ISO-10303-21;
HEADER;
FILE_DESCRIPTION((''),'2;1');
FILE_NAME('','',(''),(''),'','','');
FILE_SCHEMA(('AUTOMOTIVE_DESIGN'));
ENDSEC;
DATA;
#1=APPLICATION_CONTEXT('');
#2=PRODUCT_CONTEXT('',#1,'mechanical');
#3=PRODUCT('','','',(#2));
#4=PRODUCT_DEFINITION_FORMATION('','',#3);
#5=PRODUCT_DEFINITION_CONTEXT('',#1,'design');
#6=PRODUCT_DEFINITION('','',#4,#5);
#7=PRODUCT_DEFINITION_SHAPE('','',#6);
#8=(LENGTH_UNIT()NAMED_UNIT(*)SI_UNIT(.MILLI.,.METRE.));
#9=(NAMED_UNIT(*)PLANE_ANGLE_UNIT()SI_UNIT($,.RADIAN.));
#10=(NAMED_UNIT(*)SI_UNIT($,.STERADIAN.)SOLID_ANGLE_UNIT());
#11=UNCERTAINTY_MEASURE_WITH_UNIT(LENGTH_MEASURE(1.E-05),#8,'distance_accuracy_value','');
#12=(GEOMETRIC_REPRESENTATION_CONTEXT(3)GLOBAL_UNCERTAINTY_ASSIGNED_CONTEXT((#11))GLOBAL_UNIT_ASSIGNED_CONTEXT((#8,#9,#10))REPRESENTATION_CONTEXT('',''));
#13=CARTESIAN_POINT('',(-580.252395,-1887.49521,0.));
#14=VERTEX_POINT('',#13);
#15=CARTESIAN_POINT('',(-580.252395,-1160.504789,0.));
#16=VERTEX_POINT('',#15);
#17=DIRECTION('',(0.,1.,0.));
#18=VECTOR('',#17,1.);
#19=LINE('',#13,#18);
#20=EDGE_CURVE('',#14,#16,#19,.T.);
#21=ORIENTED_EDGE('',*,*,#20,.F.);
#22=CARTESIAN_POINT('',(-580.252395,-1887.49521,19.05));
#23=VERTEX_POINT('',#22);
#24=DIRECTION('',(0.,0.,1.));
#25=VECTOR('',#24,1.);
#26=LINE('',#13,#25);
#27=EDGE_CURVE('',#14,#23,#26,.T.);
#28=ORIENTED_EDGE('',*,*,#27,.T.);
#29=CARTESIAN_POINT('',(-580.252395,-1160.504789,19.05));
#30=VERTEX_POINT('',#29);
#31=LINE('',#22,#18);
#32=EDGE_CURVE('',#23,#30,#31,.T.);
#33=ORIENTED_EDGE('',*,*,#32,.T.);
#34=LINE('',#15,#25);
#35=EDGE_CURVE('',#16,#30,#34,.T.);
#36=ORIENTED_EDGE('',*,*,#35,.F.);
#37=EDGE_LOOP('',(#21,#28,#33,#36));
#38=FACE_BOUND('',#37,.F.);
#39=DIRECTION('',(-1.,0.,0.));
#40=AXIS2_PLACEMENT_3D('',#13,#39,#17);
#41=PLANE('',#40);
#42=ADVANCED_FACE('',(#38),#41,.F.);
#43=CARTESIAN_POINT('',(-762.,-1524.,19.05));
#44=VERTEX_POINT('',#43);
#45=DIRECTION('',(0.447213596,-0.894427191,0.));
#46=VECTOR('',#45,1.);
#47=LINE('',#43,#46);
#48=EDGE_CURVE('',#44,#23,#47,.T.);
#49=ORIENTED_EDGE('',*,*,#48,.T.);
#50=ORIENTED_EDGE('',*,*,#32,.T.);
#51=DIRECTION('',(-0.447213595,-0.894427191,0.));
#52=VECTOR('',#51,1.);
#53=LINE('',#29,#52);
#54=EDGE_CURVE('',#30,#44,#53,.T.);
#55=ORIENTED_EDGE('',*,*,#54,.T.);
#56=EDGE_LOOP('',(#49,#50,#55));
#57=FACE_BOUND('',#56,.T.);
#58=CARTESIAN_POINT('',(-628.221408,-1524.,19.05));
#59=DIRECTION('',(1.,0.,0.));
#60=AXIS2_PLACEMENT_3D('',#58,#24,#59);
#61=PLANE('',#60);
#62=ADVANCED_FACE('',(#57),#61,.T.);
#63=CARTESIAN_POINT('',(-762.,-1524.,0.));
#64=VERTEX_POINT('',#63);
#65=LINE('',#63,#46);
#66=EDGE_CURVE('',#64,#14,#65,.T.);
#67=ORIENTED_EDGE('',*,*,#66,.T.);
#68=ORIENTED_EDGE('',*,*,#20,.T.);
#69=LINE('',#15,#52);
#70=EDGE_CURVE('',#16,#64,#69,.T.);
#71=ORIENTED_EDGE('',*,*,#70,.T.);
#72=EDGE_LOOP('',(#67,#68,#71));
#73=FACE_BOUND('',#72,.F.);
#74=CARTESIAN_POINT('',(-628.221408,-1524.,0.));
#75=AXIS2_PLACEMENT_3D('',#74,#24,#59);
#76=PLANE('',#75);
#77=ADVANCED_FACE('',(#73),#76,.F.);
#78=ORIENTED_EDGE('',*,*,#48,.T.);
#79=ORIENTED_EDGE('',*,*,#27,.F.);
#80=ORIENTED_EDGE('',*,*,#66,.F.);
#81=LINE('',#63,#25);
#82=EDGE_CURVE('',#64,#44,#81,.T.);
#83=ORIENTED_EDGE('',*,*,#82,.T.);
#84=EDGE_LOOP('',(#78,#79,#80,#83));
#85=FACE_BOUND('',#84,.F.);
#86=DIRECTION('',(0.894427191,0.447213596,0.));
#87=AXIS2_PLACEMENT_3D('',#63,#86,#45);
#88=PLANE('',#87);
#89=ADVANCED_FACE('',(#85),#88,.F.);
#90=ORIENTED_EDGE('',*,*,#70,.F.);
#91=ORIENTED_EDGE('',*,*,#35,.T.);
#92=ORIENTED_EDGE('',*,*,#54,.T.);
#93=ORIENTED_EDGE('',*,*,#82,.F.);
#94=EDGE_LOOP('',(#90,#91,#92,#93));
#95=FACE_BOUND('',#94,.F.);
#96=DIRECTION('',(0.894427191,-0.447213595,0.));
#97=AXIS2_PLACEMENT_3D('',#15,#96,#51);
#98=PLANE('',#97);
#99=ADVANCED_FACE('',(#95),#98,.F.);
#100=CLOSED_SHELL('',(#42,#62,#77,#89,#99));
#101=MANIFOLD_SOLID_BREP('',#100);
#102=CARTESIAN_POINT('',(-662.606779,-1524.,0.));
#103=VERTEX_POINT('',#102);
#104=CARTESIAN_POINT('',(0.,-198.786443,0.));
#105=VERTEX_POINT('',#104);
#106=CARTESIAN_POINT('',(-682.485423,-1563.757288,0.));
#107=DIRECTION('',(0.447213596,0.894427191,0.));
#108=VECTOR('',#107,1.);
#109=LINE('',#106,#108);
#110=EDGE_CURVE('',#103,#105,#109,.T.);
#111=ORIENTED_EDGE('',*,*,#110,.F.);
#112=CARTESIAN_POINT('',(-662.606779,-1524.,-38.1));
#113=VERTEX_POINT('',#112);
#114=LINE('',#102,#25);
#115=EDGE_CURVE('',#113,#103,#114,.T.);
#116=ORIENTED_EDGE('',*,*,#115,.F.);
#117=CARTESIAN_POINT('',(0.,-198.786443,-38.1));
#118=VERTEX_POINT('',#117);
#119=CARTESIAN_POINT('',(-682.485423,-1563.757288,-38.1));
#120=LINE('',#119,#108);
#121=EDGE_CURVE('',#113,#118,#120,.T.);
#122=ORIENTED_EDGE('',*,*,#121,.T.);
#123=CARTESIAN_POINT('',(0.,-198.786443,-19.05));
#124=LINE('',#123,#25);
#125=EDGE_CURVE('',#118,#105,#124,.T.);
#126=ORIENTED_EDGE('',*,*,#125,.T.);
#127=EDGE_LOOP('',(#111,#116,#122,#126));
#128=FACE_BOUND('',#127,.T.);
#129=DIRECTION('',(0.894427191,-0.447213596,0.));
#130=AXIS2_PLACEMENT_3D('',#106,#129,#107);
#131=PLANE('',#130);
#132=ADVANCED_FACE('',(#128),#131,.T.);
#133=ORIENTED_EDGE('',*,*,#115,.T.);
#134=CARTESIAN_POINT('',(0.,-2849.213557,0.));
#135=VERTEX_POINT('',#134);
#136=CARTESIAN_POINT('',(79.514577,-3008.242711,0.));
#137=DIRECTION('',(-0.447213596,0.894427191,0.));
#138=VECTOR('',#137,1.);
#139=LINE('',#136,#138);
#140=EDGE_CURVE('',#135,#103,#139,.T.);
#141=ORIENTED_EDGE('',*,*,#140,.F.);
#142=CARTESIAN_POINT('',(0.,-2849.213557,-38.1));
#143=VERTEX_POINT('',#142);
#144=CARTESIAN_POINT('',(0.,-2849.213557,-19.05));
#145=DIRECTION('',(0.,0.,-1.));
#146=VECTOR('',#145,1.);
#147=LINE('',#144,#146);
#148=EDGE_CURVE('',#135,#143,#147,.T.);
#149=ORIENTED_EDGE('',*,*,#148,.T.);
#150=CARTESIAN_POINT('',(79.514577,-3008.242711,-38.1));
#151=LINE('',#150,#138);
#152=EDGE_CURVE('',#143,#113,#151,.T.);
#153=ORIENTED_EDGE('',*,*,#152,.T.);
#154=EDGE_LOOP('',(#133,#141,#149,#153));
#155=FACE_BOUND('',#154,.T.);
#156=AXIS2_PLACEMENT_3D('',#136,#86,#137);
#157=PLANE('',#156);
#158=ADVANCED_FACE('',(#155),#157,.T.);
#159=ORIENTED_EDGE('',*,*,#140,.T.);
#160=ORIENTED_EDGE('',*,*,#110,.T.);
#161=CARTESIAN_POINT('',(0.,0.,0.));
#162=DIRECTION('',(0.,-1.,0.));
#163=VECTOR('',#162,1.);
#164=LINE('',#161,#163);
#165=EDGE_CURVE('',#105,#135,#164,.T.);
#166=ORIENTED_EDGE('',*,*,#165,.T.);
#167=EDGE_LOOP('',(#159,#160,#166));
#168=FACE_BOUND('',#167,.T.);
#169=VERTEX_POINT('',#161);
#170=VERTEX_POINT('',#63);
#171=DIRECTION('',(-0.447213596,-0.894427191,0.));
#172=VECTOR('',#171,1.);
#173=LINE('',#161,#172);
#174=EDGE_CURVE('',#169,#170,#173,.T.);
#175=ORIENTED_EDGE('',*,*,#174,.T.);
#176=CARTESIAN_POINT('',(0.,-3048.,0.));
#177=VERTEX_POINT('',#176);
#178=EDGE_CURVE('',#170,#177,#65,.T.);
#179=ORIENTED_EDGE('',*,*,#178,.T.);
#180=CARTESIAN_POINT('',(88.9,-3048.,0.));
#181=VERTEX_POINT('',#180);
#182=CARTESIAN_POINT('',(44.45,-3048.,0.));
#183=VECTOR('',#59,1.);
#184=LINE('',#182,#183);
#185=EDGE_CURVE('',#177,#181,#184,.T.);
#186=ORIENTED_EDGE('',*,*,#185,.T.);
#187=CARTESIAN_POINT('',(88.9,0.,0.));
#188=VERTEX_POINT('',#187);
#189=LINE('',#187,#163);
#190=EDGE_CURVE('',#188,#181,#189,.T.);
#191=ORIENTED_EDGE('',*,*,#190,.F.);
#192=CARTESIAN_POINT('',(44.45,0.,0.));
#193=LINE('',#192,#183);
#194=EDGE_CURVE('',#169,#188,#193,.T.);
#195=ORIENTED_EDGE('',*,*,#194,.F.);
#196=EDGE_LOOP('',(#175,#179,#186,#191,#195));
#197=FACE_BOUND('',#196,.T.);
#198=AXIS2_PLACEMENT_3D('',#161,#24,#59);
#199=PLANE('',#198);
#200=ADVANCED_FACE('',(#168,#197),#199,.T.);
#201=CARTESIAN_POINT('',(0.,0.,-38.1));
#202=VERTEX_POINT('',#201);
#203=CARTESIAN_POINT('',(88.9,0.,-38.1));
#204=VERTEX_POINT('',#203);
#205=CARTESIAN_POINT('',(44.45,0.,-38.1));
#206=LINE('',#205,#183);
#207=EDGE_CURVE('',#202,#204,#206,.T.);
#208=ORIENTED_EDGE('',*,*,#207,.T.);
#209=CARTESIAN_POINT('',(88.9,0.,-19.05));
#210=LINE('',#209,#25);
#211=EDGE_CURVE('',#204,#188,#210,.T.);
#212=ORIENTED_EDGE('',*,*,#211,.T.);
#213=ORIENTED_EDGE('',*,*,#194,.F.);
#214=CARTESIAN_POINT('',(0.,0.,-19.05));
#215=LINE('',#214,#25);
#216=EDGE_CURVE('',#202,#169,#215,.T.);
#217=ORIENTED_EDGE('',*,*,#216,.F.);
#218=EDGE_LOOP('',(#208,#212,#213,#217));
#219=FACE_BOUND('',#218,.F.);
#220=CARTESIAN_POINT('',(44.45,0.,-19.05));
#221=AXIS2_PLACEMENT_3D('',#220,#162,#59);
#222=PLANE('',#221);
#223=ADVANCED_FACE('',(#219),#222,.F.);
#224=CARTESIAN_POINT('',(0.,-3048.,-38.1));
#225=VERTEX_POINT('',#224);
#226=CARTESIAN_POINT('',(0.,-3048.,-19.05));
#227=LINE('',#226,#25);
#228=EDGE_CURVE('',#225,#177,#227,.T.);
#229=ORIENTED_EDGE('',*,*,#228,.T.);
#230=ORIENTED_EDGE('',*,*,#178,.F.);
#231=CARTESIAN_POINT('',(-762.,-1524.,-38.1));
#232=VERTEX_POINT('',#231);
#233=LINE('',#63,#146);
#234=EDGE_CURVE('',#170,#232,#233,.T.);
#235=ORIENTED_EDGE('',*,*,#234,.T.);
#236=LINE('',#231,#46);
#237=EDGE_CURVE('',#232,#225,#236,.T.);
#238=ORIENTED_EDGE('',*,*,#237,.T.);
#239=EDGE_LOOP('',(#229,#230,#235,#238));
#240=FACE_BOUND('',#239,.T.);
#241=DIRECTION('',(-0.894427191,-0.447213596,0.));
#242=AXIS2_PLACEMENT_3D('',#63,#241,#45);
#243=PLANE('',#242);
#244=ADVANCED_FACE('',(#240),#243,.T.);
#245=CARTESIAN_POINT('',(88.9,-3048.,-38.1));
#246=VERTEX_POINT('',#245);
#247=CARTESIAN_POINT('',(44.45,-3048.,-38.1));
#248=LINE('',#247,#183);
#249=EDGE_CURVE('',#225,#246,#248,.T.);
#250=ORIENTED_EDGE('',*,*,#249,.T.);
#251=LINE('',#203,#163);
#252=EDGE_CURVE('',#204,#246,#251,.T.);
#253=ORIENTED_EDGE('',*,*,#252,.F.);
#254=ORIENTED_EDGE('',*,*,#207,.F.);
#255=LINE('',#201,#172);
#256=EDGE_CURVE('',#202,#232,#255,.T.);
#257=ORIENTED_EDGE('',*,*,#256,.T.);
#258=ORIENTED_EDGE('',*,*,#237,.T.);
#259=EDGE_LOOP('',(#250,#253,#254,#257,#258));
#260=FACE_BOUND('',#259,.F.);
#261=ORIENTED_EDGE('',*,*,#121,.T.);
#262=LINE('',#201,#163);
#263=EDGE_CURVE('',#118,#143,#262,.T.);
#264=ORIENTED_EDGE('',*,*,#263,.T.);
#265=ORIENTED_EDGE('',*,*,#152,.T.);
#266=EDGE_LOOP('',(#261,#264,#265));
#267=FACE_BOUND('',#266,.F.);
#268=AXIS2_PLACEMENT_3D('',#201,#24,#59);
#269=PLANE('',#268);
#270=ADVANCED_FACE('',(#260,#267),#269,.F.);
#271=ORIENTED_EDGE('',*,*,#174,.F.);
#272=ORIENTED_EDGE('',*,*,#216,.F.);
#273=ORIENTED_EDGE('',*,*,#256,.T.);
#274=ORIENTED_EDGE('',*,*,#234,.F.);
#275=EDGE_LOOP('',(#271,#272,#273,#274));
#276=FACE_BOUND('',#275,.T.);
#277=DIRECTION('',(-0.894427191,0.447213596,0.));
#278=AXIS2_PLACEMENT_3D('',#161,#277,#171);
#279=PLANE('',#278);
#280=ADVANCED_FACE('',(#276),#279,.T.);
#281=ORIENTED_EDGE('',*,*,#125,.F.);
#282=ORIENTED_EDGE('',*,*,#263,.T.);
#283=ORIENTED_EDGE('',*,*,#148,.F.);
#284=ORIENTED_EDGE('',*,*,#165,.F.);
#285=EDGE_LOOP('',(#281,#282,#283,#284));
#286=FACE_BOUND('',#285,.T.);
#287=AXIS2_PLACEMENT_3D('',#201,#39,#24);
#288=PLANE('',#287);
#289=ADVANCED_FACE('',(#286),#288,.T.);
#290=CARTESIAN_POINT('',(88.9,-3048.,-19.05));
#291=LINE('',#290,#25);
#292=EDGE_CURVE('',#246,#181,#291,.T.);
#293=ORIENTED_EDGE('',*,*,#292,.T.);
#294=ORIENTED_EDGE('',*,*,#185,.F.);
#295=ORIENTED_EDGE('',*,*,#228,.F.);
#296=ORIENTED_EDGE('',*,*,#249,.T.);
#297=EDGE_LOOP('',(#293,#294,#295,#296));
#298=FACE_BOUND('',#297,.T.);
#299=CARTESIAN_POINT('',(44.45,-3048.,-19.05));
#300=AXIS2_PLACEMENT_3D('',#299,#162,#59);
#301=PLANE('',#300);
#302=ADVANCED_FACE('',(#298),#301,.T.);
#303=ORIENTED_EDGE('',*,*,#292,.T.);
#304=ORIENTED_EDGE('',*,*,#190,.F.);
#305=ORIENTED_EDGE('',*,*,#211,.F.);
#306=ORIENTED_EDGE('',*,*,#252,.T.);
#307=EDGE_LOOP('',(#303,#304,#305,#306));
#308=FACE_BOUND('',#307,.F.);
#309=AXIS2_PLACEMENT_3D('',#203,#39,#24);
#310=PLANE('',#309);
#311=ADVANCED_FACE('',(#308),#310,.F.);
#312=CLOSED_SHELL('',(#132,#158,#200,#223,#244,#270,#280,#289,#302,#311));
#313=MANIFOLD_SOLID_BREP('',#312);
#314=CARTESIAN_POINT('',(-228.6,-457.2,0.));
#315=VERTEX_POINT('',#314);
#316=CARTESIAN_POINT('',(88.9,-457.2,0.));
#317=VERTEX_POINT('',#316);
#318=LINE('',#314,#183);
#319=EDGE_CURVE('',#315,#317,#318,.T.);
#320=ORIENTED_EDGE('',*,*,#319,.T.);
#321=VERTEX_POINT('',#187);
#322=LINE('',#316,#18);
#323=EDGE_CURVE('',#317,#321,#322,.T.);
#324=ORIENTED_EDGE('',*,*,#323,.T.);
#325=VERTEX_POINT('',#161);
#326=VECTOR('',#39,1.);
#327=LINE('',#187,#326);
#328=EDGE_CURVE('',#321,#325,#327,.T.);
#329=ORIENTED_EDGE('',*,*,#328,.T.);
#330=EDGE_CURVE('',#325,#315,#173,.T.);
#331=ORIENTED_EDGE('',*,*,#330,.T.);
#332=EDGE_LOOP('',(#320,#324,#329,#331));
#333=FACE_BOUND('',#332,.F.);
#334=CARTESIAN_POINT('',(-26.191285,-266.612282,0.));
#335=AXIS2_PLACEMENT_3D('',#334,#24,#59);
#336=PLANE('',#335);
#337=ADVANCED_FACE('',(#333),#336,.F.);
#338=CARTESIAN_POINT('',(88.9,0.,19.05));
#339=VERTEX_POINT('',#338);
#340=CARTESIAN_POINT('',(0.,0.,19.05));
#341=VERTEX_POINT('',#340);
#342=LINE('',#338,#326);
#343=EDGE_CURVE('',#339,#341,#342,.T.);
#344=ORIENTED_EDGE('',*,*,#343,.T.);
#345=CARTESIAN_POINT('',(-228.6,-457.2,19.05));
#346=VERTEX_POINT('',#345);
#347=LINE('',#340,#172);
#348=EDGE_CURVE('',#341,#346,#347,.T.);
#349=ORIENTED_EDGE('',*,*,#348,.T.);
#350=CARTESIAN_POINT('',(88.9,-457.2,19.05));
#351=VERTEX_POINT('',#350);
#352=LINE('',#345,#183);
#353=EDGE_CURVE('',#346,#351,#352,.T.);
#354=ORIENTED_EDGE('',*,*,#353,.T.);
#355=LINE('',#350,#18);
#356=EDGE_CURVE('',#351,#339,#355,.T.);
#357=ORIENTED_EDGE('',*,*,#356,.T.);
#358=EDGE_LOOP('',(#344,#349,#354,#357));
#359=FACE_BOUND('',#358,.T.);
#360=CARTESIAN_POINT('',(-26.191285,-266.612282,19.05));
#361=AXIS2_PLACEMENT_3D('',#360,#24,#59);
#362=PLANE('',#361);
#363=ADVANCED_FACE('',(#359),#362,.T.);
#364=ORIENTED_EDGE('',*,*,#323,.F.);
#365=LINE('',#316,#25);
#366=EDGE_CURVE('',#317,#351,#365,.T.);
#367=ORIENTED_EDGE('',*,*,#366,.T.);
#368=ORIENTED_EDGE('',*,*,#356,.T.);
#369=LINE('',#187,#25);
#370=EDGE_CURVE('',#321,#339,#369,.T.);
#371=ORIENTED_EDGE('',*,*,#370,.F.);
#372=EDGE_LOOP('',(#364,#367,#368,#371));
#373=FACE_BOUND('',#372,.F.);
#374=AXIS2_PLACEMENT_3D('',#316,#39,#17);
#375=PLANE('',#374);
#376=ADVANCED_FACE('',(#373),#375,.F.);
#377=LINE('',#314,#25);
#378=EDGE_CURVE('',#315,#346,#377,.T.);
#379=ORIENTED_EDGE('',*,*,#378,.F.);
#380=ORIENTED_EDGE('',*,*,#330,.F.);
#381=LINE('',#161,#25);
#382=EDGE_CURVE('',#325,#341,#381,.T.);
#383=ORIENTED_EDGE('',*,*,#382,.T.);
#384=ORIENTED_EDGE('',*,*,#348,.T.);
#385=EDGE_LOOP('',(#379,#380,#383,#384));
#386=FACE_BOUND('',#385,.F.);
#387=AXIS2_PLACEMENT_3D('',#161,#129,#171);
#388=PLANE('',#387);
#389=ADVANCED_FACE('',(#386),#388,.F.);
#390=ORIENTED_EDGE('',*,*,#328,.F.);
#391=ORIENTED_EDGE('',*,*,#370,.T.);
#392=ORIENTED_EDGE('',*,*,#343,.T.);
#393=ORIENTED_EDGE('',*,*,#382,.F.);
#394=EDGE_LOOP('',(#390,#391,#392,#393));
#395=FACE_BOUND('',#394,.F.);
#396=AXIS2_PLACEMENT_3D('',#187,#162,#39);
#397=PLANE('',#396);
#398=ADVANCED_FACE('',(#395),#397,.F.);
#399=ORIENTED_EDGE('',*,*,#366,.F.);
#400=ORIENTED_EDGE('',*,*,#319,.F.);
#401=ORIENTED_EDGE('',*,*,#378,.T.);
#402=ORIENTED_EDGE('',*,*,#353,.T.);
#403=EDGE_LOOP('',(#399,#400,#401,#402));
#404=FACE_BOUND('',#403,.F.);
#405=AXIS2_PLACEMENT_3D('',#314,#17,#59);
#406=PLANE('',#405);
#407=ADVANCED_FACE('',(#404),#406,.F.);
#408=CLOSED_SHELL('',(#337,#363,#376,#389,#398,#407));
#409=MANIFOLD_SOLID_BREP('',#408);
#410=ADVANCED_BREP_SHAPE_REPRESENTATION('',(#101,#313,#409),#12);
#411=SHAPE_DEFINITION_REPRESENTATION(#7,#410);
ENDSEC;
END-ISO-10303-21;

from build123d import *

# Parameters (mm, degrees)
F0_W     = 88.9
F0_H     = 38.1
F1_DEPTH = 3048
F3_DEPTH = 38.1
F5_DEPTH = 38.1
F7_DEPTH = 19.05
F9_DEPTH = 19.05


with BuildPart() as f1:
    # F0 (on Front) → F1 (new body)
    with BuildSketch(Plane.XZ):
        with Locations((44.45, -19.05)):
            Rectangle(F0_W, F0_H)
    extrude(amount=F1_DEPTH)

    # F2 (on Top) → F3 (join)
    with BuildSketch(Plane.XY):
        Polygon((79.514577, -39.757289), (0, 0), (-762, -1524), (-682.485423, -1563.757288), align=None)
    extrude(amount=-F3_DEPTH)

    # F4 (on Top) → F5 (join)
    with BuildSketch(Plane.XY):
        Polygon((-682.485423, -1484.242711), (-762, -1524), (0, -3048), (79.514577, -3008.242711), align=None)
    extrude(amount=-F5_DEPTH)


with BuildPart() as f7:
    # F6 (on face) → F7 (new body)
    with BuildSketch(Plane.XY):
        Polygon((-228.6, -457.2), (88.9, -457.2), (88.9, 0), (0, 0), align=None)
    extrude(amount=F7_DEPTH)


with BuildPart() as f9:
    # F8 (on face) → F9 (new body)
    with BuildSketch(Plane.XY):
        Polygon((-580.252395, -1160.504789), (-762, -1524), (-580.252395, -1887.49521), align=None)
    extrude(amount=F9_DEPTH)


solid = Compound([f1.part, f7.part, f9.part])
